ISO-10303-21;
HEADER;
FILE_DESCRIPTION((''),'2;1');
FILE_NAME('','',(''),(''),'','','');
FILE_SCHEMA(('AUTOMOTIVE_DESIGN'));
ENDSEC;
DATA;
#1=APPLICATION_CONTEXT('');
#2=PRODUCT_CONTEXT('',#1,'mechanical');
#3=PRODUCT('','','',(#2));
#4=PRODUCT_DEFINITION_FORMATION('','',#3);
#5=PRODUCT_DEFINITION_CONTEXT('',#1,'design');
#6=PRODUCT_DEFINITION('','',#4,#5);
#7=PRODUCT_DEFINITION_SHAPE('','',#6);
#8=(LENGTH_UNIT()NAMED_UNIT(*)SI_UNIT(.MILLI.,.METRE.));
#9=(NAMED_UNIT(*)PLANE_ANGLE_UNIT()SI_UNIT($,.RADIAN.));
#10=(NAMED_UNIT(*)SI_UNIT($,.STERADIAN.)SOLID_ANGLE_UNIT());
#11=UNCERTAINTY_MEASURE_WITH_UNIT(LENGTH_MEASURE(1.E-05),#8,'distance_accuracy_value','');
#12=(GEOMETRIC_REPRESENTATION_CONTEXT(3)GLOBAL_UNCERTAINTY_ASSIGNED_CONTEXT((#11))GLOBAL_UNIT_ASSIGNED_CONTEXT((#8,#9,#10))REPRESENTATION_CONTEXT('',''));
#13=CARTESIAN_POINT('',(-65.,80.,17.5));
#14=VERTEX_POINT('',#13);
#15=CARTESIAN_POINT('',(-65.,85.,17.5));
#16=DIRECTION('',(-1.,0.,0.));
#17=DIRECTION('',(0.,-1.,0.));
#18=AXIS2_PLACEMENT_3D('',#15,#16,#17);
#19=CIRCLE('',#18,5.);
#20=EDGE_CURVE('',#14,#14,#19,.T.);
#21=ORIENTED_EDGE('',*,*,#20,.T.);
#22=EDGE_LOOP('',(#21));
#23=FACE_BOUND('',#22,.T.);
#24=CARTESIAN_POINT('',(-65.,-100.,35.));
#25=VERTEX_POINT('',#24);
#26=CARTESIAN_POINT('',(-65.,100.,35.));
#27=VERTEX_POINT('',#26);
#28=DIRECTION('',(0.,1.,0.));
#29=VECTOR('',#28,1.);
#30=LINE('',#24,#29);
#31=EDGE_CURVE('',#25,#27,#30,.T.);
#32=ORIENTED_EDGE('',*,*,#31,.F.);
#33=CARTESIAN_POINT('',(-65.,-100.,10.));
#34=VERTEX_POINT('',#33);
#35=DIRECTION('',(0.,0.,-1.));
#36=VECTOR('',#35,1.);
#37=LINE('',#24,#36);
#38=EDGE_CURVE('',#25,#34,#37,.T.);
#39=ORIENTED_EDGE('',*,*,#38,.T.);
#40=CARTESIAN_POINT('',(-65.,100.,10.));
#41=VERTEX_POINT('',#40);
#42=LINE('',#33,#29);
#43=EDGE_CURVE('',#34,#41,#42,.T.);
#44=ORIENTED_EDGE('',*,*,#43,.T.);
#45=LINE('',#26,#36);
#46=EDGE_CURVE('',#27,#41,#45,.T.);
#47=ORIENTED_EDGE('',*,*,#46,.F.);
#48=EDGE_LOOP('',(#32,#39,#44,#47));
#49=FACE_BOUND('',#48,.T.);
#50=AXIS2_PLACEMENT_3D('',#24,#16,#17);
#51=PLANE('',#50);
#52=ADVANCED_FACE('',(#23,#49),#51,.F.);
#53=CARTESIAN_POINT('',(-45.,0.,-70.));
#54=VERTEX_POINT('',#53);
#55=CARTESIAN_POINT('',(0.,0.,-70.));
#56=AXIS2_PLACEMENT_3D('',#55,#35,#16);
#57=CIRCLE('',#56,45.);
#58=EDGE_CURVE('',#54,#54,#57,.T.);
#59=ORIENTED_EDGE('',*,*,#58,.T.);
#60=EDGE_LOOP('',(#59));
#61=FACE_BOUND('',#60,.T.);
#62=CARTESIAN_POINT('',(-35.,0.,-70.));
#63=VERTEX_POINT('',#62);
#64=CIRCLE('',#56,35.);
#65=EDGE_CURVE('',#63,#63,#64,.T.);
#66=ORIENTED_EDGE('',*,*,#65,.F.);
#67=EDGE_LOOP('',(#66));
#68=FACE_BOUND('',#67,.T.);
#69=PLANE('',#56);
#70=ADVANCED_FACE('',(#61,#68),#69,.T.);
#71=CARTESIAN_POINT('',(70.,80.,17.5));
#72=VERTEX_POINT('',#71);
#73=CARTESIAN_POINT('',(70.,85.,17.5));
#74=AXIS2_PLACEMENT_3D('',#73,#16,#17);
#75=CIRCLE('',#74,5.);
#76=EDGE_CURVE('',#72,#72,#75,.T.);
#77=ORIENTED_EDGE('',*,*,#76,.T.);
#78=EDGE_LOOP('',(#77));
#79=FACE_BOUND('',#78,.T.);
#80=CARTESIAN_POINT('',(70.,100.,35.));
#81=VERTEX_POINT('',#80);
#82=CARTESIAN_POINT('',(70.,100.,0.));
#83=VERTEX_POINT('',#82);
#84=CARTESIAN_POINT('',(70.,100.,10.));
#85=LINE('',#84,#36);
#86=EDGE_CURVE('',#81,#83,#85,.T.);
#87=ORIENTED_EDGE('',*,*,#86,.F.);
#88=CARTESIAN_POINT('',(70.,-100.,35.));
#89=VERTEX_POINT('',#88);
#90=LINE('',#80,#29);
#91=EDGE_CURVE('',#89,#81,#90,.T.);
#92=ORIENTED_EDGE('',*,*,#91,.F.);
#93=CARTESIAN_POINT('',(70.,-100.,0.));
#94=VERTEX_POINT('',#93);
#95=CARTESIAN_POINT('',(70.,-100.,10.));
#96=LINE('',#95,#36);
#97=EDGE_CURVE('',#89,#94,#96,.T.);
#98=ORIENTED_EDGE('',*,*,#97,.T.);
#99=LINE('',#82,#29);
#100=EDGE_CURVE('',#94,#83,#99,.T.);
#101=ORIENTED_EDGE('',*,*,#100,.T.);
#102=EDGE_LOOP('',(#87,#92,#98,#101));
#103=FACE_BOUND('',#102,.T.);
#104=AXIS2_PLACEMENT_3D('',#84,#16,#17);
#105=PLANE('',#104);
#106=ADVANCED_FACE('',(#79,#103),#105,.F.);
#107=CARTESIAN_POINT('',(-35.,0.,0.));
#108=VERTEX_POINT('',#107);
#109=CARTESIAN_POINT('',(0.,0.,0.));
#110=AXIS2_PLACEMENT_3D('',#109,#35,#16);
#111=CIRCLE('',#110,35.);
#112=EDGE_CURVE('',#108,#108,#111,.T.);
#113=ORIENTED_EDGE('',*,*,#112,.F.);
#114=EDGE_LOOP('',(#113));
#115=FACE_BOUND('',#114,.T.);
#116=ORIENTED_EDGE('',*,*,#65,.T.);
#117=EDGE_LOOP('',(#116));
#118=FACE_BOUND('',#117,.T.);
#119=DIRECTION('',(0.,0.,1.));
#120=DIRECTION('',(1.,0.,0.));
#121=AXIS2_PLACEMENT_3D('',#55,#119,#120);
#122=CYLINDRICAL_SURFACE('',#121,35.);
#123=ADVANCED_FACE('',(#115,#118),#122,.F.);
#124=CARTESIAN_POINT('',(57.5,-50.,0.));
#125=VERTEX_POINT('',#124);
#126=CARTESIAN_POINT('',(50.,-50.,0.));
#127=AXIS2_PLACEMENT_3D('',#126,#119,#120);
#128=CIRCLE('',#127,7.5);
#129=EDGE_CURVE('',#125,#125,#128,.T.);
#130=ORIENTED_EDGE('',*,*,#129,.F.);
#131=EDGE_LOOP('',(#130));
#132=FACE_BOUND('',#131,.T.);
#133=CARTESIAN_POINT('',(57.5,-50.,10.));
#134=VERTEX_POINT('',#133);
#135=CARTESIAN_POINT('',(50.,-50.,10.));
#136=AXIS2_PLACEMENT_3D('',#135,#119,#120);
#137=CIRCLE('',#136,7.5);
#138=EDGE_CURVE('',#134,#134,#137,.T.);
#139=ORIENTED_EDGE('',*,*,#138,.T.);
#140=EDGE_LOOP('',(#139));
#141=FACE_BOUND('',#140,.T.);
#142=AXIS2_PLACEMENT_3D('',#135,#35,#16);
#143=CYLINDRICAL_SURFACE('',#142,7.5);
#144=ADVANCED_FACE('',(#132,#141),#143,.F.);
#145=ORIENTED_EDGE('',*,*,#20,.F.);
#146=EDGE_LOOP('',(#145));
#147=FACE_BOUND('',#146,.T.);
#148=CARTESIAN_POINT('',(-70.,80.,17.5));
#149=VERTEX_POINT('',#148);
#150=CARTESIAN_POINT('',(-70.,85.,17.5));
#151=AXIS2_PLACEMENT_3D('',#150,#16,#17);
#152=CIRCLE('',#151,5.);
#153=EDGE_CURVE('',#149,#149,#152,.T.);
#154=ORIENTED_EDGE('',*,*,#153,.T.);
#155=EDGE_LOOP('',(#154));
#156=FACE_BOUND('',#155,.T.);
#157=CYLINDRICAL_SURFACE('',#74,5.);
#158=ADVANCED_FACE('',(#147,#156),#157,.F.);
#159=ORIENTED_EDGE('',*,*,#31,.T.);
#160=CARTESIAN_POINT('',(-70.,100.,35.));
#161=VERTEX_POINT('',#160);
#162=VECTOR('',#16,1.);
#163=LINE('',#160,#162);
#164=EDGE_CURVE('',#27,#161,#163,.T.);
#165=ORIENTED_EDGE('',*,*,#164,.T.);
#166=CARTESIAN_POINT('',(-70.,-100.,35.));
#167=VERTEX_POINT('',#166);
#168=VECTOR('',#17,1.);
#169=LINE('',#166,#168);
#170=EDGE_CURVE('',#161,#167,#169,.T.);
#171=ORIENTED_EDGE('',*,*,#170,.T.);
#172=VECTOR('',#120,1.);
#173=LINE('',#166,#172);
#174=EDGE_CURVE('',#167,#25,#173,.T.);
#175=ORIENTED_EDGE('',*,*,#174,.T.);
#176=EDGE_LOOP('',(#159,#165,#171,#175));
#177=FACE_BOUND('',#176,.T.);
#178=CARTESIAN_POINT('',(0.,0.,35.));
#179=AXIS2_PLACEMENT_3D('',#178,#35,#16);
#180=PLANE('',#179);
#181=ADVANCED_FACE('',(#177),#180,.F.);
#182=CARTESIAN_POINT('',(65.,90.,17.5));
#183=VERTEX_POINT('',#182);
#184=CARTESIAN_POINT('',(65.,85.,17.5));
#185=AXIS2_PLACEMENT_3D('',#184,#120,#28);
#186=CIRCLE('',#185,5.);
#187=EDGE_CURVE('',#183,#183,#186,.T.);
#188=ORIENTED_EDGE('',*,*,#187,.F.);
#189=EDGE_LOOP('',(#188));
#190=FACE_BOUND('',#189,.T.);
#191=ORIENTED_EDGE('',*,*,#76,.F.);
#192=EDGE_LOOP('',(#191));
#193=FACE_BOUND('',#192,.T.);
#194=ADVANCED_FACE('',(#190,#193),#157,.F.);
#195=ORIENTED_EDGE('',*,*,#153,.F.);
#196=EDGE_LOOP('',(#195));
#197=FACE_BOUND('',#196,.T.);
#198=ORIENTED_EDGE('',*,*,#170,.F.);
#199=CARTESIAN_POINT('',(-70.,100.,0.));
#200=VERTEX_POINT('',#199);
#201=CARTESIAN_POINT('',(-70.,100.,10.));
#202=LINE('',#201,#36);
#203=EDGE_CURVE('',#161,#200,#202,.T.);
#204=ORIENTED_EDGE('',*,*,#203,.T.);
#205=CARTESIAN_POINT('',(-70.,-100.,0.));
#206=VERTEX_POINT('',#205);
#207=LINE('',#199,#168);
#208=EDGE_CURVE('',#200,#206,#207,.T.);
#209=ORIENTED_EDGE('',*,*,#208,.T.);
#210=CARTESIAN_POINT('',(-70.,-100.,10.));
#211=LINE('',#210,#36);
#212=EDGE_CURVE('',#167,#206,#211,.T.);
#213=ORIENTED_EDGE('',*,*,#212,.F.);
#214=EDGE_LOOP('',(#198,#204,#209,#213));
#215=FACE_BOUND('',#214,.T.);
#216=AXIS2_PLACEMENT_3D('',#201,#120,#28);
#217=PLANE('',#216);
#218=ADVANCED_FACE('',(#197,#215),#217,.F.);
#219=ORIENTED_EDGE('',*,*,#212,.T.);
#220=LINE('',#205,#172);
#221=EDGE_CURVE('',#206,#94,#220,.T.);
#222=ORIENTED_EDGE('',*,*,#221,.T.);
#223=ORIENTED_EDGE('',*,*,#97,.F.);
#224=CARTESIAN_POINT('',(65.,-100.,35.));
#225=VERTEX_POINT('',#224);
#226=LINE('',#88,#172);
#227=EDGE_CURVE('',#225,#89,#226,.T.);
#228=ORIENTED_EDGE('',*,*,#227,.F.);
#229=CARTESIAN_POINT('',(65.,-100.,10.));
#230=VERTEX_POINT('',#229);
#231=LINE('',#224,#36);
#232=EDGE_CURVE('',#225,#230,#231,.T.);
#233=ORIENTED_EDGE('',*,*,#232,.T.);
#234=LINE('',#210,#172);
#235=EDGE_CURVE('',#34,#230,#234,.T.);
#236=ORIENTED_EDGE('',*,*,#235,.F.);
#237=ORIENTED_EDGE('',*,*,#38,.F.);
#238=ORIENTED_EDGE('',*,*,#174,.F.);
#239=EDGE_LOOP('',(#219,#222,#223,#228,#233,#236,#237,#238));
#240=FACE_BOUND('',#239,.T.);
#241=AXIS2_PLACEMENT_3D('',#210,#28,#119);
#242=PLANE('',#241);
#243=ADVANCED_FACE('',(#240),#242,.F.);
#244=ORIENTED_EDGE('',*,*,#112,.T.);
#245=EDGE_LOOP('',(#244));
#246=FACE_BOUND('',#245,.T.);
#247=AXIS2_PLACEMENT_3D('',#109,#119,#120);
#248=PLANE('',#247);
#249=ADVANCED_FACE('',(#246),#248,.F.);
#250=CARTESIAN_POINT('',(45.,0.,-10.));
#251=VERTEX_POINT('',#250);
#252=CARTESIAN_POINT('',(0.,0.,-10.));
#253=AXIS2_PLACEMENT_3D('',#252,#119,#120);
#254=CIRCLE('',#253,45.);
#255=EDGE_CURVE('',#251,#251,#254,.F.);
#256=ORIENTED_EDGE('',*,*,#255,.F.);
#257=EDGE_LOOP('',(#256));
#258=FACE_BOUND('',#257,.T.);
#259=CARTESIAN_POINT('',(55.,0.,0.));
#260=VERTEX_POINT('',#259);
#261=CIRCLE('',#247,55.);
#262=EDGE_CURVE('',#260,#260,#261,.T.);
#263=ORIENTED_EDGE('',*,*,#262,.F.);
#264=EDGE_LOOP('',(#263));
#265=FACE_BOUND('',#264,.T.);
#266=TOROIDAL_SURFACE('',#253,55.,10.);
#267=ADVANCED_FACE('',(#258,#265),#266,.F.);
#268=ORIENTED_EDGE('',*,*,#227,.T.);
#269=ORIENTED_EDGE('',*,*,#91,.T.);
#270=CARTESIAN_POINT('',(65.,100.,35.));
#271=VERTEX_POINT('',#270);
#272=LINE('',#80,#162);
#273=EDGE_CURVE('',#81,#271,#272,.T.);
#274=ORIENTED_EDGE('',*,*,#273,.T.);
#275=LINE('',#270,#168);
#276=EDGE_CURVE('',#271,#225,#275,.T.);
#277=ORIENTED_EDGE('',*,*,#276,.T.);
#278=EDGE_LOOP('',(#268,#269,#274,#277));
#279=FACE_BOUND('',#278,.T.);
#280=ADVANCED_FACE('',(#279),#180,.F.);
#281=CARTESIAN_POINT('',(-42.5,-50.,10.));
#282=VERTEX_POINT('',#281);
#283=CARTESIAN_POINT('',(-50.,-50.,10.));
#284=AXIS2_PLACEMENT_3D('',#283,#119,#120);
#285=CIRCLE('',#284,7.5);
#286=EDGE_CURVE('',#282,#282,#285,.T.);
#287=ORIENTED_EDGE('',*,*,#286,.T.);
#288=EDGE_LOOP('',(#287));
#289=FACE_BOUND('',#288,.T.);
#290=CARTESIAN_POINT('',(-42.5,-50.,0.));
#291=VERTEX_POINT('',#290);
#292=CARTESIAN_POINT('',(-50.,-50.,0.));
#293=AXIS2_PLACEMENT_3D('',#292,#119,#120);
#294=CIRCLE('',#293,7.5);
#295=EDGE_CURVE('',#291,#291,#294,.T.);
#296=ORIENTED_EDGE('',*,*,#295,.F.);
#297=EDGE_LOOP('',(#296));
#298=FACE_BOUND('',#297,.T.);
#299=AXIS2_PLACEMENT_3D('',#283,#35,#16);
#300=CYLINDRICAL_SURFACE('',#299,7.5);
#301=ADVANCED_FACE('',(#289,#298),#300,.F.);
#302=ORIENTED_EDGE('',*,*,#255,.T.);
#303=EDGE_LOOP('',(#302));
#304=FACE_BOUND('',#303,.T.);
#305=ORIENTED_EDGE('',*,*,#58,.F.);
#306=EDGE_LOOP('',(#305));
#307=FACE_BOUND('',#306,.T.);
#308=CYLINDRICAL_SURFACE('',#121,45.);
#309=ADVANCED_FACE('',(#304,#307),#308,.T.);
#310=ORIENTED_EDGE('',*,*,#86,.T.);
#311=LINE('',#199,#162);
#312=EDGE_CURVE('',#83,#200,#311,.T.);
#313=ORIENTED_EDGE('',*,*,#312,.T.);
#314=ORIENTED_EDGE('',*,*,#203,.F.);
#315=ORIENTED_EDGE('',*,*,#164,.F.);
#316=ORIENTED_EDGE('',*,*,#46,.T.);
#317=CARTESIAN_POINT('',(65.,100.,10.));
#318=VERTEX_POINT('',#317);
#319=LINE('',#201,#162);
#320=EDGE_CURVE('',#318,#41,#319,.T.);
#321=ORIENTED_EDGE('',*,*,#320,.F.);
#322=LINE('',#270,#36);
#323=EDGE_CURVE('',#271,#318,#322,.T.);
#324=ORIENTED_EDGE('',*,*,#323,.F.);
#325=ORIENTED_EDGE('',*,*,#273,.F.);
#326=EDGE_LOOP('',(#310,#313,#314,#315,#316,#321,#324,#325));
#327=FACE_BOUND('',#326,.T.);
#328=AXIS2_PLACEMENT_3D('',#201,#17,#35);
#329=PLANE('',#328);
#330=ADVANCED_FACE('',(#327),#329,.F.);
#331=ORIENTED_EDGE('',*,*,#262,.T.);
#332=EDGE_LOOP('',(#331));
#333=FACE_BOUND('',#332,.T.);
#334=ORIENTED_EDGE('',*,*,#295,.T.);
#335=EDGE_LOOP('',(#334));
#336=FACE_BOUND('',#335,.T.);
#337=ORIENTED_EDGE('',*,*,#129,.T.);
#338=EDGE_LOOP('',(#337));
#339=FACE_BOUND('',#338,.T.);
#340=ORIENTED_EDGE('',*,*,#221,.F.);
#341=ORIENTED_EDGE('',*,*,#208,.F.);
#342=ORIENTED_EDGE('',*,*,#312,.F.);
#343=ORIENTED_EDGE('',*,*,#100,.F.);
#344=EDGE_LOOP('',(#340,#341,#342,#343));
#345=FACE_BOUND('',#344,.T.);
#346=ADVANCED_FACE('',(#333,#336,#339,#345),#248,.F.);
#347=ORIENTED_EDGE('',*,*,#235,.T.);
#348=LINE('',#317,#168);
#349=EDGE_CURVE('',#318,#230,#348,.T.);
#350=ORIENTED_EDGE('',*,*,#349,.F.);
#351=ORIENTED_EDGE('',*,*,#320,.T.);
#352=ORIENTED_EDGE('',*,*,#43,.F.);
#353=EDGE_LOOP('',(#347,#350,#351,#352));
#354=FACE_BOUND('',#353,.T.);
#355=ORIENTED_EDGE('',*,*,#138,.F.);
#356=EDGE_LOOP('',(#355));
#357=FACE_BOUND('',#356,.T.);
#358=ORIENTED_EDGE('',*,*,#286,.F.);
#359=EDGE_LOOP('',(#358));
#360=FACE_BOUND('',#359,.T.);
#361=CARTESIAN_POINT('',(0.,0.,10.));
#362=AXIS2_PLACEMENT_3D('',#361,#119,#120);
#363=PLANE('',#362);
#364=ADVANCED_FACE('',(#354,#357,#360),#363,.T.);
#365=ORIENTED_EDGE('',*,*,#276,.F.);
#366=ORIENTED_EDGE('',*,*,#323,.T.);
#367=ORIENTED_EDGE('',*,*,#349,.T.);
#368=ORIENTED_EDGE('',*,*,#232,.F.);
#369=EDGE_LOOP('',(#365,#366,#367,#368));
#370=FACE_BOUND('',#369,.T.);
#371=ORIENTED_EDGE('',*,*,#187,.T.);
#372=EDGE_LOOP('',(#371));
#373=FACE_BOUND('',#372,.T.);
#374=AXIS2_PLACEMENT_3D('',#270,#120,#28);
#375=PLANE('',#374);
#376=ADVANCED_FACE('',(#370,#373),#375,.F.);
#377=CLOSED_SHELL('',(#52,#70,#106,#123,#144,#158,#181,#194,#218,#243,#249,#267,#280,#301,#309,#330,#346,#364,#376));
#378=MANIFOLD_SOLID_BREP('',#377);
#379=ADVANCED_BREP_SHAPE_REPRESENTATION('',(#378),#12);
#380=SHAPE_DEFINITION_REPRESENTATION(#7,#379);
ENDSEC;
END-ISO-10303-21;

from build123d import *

# Parameters (mm, degrees)
SKETCH1_W           = 140
SKETCH1_H           = 200
SKETCH1_R           = 7.5
BOSS_EXTRUDE1_DEPTH = 10
SKETCH2_W           = 5
SKETCH2_H           = 200
BOSS_EXTRUDE2_DEPTH = 25
SKETCH3_R           = 5
CUT_EXTRUDE1_DEPTH  = 176.570498661
SKETCH4_R           = 45
SKETCH4_R_2         = 35
BOSS_EXTRUDE3_DEPTH = 70
FILLET1_R           = 10


with BuildPart() as part:
    # Sketch1 → Boss-Extrude1 (new body)
    with BuildSketch(Plane.XY):
        Rectangle(SKETCH1_W, SKETCH1_H)
        with Locations((-50, -50)):
            Circle(SKETCH1_R, mode=Mode.SUBTRACT)
        with Locations((50, -50)):
            Circle(SKETCH1_R, mode=Mode.SUBTRACT)
    extrude(amount=BOSS_EXTRUDE1_DEPTH)

    # Sketch2 → Boss-Extrude2 (add)
    with BuildSketch(Plane.XY.offset(10)):
        with Locations((-67.5, 0)):
            Rectangle(SKETCH2_W, SKETCH2_H)
        with Locations((67.5, 0)):
            Rectangle(SKETCH2_W, SKETCH2_H)
    extrude(amount=BOSS_EXTRUDE2_DEPTH)

    # Sketch3 → Cut-Extrude1 (cut, through all)
    with BuildSketch(Plane.ZY.offset(70)):
        with Locations(Location((17.5, 85, 0), (0, 0, 270))):
            Circle(SKETCH3_R)
    extrude(amount=-CUT_EXTRUDE1_DEPTH, mode=Mode.SUBTRACT)

    # Sketch4 → Boss-Extrude3 (add)
    with BuildSketch(Plane(origin=(0, 0, 0), x_dir=(-1, 0, 0), z_dir=(0, 0, -1))):
        with Locations(Location((0, 0, 0), (0, 0, 180))):
            Circle(SKETCH4_R)
        Circle(SKETCH4_R_2, mode=Mode.SUBTRACT)
    extrude(amount=BOSS_EXTRUDE3_DEPTH)

    # Fillet1
    fillet1_edges = [part.edges().sort_by_distance(p)[0] for p in [
        (-45, 0, 0),
    ]]
    fillet(fillet1_edges, radius=FILLET1_R)


solid = part.part
